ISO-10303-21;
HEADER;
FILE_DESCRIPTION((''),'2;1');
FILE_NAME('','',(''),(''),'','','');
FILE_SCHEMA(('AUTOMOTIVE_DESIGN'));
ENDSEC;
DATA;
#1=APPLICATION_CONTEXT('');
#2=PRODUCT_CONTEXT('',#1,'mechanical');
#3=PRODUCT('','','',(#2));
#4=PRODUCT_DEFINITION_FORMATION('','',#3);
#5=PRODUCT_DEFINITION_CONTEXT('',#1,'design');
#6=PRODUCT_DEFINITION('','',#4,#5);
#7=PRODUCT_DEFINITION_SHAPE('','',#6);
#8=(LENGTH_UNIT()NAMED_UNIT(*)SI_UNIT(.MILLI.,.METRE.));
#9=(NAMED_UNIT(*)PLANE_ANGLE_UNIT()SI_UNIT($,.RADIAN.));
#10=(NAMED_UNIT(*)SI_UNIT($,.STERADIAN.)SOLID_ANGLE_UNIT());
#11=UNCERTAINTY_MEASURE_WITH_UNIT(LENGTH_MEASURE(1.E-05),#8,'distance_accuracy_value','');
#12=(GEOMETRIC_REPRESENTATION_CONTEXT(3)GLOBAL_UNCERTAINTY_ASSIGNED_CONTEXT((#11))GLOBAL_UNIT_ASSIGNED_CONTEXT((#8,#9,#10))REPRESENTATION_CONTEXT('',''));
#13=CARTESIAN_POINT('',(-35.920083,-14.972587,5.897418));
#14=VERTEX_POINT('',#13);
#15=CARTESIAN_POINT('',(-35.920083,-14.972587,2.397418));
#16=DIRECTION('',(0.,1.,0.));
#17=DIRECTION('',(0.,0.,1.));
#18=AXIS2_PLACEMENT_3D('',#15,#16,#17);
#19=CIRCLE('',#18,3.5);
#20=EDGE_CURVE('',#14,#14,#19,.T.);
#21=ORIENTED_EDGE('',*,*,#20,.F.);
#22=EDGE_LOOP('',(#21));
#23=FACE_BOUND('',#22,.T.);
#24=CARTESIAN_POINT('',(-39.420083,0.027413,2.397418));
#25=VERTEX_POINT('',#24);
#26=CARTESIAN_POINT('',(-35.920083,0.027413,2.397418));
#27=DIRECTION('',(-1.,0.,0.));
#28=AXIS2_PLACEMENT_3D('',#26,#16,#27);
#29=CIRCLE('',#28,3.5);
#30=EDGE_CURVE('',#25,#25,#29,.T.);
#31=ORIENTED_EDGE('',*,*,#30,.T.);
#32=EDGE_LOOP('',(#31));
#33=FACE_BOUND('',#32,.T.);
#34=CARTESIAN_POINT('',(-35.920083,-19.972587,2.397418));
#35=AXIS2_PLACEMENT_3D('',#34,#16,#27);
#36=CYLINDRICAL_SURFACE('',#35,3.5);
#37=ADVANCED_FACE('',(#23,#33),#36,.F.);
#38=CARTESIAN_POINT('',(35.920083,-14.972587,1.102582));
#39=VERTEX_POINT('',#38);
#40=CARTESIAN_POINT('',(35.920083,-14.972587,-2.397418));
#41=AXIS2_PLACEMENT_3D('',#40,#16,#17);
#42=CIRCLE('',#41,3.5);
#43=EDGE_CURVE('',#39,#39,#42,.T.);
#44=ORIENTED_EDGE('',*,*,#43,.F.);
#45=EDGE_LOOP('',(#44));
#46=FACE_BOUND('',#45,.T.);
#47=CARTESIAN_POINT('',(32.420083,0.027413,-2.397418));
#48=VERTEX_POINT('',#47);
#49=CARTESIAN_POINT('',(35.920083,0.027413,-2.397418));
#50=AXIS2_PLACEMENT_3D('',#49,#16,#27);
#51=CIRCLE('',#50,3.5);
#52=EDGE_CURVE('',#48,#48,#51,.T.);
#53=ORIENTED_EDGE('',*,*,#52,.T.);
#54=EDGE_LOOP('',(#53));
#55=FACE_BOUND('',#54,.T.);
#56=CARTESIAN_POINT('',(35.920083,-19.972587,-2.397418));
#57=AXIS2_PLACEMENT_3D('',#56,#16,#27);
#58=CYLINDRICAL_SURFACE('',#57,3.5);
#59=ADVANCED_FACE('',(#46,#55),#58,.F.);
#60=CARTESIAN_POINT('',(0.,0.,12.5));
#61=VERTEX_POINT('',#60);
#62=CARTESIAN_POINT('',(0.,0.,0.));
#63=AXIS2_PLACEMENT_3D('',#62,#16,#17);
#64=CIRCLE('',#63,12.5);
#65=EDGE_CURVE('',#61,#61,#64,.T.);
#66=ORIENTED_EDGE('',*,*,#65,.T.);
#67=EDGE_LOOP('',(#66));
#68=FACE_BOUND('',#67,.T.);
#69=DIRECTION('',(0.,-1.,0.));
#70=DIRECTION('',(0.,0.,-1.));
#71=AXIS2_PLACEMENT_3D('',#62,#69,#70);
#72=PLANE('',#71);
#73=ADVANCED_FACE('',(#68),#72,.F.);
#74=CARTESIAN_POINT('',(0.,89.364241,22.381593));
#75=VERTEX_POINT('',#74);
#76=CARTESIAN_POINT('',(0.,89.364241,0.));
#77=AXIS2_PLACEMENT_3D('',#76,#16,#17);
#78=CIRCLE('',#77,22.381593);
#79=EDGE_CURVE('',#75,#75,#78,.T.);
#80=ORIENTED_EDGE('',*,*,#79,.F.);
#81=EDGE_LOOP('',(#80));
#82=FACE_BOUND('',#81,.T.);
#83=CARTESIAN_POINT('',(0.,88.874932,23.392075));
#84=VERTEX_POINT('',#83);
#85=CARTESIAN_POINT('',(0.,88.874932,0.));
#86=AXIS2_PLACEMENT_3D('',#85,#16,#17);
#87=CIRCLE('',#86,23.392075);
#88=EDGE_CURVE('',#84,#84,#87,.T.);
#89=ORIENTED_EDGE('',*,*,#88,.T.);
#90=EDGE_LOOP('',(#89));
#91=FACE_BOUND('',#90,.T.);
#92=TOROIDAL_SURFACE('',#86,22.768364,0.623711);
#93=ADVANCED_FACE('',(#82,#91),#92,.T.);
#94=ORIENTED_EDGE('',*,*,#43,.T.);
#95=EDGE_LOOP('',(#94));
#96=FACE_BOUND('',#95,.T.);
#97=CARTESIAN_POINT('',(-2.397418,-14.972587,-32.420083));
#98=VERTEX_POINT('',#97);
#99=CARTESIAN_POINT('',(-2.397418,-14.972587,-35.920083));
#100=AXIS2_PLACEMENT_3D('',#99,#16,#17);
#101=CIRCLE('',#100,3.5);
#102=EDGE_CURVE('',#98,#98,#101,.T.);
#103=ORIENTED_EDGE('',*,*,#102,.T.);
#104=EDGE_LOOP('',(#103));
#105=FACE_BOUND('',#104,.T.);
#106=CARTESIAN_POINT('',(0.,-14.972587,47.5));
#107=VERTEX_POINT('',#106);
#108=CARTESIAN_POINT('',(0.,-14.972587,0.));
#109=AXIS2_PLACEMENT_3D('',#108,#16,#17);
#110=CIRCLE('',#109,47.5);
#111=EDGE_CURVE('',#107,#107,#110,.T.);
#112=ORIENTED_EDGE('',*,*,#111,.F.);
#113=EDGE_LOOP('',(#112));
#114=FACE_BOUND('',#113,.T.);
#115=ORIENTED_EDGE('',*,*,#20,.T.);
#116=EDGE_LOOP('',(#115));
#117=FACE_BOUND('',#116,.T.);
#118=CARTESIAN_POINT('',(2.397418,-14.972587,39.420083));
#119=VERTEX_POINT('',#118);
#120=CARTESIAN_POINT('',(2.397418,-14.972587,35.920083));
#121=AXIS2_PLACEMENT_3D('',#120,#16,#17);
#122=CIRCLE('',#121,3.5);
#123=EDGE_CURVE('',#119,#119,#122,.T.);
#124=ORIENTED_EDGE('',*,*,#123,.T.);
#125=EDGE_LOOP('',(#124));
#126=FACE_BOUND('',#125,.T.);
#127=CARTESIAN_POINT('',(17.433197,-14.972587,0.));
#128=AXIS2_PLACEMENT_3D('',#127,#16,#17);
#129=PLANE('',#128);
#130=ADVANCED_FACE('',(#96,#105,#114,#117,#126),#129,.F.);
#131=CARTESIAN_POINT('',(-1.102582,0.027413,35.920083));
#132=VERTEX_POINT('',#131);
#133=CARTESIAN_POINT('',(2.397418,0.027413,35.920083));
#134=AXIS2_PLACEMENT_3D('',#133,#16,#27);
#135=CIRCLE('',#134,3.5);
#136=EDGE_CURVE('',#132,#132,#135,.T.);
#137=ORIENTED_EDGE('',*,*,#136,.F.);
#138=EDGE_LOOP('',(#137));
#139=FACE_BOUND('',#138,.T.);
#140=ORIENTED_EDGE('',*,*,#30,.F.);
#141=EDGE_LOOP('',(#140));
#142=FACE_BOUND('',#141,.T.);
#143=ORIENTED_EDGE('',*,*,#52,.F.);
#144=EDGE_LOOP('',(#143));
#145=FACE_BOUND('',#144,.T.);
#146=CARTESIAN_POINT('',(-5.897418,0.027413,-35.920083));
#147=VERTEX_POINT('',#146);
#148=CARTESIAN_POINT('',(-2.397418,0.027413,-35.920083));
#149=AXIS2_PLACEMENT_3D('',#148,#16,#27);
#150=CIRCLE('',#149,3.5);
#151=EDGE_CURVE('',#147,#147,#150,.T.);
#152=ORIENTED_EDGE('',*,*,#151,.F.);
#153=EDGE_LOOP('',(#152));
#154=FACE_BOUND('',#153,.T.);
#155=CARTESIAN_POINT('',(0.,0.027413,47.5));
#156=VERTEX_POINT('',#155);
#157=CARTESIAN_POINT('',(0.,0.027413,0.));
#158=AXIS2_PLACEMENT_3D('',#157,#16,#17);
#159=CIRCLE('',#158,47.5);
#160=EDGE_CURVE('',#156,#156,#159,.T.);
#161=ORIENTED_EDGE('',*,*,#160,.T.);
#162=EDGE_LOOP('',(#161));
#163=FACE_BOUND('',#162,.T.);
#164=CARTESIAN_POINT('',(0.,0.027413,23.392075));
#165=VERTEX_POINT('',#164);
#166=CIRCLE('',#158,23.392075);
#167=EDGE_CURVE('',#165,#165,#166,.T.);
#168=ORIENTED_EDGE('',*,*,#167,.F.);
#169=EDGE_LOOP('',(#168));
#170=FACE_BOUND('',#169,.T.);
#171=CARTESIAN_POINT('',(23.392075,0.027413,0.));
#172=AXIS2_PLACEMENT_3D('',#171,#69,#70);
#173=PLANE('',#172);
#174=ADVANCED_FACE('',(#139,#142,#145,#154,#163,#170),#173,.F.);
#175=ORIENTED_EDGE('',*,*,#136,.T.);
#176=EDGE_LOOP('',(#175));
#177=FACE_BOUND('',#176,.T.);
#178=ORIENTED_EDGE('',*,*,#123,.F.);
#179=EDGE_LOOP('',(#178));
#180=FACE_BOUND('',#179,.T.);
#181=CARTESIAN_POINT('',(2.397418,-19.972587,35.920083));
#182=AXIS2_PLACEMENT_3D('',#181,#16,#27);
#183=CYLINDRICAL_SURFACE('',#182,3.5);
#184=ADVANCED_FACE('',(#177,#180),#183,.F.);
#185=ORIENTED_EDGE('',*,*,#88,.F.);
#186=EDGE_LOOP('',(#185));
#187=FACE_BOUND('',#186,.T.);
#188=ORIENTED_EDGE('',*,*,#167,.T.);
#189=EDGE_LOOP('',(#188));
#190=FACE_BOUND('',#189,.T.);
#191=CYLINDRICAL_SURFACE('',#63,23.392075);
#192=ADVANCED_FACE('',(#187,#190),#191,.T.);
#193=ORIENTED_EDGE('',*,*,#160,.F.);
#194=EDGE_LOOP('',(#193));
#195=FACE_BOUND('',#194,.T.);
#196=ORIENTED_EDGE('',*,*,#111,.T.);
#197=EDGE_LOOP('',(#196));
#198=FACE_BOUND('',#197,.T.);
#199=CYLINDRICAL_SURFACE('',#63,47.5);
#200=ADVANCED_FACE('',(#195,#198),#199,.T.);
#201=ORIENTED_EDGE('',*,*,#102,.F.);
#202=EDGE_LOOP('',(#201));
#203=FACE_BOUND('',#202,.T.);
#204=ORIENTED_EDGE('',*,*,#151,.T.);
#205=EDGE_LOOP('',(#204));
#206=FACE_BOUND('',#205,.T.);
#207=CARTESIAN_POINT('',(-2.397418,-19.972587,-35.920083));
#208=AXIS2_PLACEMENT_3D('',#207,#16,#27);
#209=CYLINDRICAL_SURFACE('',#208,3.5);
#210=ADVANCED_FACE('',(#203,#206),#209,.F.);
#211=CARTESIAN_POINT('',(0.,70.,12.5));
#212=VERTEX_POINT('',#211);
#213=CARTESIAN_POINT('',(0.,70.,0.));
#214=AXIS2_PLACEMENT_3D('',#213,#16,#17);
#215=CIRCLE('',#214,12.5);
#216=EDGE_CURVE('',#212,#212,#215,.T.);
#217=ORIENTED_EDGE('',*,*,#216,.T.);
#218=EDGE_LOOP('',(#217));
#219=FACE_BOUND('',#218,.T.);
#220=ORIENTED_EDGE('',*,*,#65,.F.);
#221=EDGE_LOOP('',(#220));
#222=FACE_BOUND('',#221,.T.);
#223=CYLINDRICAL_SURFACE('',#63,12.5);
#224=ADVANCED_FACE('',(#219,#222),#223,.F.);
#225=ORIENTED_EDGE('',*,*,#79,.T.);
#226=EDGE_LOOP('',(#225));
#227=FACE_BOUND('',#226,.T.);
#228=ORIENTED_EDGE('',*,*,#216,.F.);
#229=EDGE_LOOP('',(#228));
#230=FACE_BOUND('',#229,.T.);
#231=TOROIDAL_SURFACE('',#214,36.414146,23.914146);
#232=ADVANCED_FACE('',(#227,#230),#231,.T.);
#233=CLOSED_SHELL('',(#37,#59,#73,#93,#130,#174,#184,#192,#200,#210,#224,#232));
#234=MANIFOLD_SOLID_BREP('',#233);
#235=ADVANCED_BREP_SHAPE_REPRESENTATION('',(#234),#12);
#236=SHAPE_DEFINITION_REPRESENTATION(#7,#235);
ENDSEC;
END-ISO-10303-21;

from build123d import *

# Parameters (mm, degrees)
SKETCH2_R          = 3.5
CUT_EXTRUDE1_DEPTH = 20


with BuildPart() as part:
    # Sketch1 → Revolve1 (revolve)
    with BuildSketch(Plane.XY):
        with BuildLine():
            Line((12.5, -14.9725871), (17.43319678, -14.9725871))
            Line((17.43319678, -14.9725871), (47.5, -14.9725871))
            Line((47.5, -14.9725871), (47.5, 0.0274129))
            Line((47.5, 0.0274129), (23.392075087, 0.0274129))
            Line((23.392075087, 0.0274129), (23.392075087, 88.874931748))
            ThreePointArc((23.392075087, 88.874931748), (23.040193106, 89.436291225), (22.381592941, 89.364241145))
            ThreePointArc((22.381592941, 89.364241145), (15.113172999, 80.869909317), (12.5, 70))
            Line((12.5, 70), (12.5, 0))
            Line((12.5, 0), (0, 0))
            Line((0, 0), (0, -14.9725871))
            Line((0, -14.9725871), (12.5, -14.9725871))
        make_face()
    revolve(axis=Axis((0, 0, 0), (0, -1, 0)))

    # Sketch2 → Cut-Extrude1 (cut)
    with BuildSketch(Plane(origin=(0, 0.0274129, 0), x_dir=(1, 0, 0), z_dir=(0, 1, 0))):
        with Locations((-2.39741815, 35.920083327)):
            Circle(SKETCH2_R)
        with Locations((-35.920083327, -2.39741815)):
            Circle(SKETCH2_R)
        with Locations((2.39741815, -35.920083327)):
            Circle(SKETCH2_R)
        with Locations((35.920083327, 2.39741815)):
            Circle(SKETCH2_R)
    extrude(amount=-CUT_EXTRUDE1_DEPTH, mode=Mode.SUBTRACT)


solid = part.part
